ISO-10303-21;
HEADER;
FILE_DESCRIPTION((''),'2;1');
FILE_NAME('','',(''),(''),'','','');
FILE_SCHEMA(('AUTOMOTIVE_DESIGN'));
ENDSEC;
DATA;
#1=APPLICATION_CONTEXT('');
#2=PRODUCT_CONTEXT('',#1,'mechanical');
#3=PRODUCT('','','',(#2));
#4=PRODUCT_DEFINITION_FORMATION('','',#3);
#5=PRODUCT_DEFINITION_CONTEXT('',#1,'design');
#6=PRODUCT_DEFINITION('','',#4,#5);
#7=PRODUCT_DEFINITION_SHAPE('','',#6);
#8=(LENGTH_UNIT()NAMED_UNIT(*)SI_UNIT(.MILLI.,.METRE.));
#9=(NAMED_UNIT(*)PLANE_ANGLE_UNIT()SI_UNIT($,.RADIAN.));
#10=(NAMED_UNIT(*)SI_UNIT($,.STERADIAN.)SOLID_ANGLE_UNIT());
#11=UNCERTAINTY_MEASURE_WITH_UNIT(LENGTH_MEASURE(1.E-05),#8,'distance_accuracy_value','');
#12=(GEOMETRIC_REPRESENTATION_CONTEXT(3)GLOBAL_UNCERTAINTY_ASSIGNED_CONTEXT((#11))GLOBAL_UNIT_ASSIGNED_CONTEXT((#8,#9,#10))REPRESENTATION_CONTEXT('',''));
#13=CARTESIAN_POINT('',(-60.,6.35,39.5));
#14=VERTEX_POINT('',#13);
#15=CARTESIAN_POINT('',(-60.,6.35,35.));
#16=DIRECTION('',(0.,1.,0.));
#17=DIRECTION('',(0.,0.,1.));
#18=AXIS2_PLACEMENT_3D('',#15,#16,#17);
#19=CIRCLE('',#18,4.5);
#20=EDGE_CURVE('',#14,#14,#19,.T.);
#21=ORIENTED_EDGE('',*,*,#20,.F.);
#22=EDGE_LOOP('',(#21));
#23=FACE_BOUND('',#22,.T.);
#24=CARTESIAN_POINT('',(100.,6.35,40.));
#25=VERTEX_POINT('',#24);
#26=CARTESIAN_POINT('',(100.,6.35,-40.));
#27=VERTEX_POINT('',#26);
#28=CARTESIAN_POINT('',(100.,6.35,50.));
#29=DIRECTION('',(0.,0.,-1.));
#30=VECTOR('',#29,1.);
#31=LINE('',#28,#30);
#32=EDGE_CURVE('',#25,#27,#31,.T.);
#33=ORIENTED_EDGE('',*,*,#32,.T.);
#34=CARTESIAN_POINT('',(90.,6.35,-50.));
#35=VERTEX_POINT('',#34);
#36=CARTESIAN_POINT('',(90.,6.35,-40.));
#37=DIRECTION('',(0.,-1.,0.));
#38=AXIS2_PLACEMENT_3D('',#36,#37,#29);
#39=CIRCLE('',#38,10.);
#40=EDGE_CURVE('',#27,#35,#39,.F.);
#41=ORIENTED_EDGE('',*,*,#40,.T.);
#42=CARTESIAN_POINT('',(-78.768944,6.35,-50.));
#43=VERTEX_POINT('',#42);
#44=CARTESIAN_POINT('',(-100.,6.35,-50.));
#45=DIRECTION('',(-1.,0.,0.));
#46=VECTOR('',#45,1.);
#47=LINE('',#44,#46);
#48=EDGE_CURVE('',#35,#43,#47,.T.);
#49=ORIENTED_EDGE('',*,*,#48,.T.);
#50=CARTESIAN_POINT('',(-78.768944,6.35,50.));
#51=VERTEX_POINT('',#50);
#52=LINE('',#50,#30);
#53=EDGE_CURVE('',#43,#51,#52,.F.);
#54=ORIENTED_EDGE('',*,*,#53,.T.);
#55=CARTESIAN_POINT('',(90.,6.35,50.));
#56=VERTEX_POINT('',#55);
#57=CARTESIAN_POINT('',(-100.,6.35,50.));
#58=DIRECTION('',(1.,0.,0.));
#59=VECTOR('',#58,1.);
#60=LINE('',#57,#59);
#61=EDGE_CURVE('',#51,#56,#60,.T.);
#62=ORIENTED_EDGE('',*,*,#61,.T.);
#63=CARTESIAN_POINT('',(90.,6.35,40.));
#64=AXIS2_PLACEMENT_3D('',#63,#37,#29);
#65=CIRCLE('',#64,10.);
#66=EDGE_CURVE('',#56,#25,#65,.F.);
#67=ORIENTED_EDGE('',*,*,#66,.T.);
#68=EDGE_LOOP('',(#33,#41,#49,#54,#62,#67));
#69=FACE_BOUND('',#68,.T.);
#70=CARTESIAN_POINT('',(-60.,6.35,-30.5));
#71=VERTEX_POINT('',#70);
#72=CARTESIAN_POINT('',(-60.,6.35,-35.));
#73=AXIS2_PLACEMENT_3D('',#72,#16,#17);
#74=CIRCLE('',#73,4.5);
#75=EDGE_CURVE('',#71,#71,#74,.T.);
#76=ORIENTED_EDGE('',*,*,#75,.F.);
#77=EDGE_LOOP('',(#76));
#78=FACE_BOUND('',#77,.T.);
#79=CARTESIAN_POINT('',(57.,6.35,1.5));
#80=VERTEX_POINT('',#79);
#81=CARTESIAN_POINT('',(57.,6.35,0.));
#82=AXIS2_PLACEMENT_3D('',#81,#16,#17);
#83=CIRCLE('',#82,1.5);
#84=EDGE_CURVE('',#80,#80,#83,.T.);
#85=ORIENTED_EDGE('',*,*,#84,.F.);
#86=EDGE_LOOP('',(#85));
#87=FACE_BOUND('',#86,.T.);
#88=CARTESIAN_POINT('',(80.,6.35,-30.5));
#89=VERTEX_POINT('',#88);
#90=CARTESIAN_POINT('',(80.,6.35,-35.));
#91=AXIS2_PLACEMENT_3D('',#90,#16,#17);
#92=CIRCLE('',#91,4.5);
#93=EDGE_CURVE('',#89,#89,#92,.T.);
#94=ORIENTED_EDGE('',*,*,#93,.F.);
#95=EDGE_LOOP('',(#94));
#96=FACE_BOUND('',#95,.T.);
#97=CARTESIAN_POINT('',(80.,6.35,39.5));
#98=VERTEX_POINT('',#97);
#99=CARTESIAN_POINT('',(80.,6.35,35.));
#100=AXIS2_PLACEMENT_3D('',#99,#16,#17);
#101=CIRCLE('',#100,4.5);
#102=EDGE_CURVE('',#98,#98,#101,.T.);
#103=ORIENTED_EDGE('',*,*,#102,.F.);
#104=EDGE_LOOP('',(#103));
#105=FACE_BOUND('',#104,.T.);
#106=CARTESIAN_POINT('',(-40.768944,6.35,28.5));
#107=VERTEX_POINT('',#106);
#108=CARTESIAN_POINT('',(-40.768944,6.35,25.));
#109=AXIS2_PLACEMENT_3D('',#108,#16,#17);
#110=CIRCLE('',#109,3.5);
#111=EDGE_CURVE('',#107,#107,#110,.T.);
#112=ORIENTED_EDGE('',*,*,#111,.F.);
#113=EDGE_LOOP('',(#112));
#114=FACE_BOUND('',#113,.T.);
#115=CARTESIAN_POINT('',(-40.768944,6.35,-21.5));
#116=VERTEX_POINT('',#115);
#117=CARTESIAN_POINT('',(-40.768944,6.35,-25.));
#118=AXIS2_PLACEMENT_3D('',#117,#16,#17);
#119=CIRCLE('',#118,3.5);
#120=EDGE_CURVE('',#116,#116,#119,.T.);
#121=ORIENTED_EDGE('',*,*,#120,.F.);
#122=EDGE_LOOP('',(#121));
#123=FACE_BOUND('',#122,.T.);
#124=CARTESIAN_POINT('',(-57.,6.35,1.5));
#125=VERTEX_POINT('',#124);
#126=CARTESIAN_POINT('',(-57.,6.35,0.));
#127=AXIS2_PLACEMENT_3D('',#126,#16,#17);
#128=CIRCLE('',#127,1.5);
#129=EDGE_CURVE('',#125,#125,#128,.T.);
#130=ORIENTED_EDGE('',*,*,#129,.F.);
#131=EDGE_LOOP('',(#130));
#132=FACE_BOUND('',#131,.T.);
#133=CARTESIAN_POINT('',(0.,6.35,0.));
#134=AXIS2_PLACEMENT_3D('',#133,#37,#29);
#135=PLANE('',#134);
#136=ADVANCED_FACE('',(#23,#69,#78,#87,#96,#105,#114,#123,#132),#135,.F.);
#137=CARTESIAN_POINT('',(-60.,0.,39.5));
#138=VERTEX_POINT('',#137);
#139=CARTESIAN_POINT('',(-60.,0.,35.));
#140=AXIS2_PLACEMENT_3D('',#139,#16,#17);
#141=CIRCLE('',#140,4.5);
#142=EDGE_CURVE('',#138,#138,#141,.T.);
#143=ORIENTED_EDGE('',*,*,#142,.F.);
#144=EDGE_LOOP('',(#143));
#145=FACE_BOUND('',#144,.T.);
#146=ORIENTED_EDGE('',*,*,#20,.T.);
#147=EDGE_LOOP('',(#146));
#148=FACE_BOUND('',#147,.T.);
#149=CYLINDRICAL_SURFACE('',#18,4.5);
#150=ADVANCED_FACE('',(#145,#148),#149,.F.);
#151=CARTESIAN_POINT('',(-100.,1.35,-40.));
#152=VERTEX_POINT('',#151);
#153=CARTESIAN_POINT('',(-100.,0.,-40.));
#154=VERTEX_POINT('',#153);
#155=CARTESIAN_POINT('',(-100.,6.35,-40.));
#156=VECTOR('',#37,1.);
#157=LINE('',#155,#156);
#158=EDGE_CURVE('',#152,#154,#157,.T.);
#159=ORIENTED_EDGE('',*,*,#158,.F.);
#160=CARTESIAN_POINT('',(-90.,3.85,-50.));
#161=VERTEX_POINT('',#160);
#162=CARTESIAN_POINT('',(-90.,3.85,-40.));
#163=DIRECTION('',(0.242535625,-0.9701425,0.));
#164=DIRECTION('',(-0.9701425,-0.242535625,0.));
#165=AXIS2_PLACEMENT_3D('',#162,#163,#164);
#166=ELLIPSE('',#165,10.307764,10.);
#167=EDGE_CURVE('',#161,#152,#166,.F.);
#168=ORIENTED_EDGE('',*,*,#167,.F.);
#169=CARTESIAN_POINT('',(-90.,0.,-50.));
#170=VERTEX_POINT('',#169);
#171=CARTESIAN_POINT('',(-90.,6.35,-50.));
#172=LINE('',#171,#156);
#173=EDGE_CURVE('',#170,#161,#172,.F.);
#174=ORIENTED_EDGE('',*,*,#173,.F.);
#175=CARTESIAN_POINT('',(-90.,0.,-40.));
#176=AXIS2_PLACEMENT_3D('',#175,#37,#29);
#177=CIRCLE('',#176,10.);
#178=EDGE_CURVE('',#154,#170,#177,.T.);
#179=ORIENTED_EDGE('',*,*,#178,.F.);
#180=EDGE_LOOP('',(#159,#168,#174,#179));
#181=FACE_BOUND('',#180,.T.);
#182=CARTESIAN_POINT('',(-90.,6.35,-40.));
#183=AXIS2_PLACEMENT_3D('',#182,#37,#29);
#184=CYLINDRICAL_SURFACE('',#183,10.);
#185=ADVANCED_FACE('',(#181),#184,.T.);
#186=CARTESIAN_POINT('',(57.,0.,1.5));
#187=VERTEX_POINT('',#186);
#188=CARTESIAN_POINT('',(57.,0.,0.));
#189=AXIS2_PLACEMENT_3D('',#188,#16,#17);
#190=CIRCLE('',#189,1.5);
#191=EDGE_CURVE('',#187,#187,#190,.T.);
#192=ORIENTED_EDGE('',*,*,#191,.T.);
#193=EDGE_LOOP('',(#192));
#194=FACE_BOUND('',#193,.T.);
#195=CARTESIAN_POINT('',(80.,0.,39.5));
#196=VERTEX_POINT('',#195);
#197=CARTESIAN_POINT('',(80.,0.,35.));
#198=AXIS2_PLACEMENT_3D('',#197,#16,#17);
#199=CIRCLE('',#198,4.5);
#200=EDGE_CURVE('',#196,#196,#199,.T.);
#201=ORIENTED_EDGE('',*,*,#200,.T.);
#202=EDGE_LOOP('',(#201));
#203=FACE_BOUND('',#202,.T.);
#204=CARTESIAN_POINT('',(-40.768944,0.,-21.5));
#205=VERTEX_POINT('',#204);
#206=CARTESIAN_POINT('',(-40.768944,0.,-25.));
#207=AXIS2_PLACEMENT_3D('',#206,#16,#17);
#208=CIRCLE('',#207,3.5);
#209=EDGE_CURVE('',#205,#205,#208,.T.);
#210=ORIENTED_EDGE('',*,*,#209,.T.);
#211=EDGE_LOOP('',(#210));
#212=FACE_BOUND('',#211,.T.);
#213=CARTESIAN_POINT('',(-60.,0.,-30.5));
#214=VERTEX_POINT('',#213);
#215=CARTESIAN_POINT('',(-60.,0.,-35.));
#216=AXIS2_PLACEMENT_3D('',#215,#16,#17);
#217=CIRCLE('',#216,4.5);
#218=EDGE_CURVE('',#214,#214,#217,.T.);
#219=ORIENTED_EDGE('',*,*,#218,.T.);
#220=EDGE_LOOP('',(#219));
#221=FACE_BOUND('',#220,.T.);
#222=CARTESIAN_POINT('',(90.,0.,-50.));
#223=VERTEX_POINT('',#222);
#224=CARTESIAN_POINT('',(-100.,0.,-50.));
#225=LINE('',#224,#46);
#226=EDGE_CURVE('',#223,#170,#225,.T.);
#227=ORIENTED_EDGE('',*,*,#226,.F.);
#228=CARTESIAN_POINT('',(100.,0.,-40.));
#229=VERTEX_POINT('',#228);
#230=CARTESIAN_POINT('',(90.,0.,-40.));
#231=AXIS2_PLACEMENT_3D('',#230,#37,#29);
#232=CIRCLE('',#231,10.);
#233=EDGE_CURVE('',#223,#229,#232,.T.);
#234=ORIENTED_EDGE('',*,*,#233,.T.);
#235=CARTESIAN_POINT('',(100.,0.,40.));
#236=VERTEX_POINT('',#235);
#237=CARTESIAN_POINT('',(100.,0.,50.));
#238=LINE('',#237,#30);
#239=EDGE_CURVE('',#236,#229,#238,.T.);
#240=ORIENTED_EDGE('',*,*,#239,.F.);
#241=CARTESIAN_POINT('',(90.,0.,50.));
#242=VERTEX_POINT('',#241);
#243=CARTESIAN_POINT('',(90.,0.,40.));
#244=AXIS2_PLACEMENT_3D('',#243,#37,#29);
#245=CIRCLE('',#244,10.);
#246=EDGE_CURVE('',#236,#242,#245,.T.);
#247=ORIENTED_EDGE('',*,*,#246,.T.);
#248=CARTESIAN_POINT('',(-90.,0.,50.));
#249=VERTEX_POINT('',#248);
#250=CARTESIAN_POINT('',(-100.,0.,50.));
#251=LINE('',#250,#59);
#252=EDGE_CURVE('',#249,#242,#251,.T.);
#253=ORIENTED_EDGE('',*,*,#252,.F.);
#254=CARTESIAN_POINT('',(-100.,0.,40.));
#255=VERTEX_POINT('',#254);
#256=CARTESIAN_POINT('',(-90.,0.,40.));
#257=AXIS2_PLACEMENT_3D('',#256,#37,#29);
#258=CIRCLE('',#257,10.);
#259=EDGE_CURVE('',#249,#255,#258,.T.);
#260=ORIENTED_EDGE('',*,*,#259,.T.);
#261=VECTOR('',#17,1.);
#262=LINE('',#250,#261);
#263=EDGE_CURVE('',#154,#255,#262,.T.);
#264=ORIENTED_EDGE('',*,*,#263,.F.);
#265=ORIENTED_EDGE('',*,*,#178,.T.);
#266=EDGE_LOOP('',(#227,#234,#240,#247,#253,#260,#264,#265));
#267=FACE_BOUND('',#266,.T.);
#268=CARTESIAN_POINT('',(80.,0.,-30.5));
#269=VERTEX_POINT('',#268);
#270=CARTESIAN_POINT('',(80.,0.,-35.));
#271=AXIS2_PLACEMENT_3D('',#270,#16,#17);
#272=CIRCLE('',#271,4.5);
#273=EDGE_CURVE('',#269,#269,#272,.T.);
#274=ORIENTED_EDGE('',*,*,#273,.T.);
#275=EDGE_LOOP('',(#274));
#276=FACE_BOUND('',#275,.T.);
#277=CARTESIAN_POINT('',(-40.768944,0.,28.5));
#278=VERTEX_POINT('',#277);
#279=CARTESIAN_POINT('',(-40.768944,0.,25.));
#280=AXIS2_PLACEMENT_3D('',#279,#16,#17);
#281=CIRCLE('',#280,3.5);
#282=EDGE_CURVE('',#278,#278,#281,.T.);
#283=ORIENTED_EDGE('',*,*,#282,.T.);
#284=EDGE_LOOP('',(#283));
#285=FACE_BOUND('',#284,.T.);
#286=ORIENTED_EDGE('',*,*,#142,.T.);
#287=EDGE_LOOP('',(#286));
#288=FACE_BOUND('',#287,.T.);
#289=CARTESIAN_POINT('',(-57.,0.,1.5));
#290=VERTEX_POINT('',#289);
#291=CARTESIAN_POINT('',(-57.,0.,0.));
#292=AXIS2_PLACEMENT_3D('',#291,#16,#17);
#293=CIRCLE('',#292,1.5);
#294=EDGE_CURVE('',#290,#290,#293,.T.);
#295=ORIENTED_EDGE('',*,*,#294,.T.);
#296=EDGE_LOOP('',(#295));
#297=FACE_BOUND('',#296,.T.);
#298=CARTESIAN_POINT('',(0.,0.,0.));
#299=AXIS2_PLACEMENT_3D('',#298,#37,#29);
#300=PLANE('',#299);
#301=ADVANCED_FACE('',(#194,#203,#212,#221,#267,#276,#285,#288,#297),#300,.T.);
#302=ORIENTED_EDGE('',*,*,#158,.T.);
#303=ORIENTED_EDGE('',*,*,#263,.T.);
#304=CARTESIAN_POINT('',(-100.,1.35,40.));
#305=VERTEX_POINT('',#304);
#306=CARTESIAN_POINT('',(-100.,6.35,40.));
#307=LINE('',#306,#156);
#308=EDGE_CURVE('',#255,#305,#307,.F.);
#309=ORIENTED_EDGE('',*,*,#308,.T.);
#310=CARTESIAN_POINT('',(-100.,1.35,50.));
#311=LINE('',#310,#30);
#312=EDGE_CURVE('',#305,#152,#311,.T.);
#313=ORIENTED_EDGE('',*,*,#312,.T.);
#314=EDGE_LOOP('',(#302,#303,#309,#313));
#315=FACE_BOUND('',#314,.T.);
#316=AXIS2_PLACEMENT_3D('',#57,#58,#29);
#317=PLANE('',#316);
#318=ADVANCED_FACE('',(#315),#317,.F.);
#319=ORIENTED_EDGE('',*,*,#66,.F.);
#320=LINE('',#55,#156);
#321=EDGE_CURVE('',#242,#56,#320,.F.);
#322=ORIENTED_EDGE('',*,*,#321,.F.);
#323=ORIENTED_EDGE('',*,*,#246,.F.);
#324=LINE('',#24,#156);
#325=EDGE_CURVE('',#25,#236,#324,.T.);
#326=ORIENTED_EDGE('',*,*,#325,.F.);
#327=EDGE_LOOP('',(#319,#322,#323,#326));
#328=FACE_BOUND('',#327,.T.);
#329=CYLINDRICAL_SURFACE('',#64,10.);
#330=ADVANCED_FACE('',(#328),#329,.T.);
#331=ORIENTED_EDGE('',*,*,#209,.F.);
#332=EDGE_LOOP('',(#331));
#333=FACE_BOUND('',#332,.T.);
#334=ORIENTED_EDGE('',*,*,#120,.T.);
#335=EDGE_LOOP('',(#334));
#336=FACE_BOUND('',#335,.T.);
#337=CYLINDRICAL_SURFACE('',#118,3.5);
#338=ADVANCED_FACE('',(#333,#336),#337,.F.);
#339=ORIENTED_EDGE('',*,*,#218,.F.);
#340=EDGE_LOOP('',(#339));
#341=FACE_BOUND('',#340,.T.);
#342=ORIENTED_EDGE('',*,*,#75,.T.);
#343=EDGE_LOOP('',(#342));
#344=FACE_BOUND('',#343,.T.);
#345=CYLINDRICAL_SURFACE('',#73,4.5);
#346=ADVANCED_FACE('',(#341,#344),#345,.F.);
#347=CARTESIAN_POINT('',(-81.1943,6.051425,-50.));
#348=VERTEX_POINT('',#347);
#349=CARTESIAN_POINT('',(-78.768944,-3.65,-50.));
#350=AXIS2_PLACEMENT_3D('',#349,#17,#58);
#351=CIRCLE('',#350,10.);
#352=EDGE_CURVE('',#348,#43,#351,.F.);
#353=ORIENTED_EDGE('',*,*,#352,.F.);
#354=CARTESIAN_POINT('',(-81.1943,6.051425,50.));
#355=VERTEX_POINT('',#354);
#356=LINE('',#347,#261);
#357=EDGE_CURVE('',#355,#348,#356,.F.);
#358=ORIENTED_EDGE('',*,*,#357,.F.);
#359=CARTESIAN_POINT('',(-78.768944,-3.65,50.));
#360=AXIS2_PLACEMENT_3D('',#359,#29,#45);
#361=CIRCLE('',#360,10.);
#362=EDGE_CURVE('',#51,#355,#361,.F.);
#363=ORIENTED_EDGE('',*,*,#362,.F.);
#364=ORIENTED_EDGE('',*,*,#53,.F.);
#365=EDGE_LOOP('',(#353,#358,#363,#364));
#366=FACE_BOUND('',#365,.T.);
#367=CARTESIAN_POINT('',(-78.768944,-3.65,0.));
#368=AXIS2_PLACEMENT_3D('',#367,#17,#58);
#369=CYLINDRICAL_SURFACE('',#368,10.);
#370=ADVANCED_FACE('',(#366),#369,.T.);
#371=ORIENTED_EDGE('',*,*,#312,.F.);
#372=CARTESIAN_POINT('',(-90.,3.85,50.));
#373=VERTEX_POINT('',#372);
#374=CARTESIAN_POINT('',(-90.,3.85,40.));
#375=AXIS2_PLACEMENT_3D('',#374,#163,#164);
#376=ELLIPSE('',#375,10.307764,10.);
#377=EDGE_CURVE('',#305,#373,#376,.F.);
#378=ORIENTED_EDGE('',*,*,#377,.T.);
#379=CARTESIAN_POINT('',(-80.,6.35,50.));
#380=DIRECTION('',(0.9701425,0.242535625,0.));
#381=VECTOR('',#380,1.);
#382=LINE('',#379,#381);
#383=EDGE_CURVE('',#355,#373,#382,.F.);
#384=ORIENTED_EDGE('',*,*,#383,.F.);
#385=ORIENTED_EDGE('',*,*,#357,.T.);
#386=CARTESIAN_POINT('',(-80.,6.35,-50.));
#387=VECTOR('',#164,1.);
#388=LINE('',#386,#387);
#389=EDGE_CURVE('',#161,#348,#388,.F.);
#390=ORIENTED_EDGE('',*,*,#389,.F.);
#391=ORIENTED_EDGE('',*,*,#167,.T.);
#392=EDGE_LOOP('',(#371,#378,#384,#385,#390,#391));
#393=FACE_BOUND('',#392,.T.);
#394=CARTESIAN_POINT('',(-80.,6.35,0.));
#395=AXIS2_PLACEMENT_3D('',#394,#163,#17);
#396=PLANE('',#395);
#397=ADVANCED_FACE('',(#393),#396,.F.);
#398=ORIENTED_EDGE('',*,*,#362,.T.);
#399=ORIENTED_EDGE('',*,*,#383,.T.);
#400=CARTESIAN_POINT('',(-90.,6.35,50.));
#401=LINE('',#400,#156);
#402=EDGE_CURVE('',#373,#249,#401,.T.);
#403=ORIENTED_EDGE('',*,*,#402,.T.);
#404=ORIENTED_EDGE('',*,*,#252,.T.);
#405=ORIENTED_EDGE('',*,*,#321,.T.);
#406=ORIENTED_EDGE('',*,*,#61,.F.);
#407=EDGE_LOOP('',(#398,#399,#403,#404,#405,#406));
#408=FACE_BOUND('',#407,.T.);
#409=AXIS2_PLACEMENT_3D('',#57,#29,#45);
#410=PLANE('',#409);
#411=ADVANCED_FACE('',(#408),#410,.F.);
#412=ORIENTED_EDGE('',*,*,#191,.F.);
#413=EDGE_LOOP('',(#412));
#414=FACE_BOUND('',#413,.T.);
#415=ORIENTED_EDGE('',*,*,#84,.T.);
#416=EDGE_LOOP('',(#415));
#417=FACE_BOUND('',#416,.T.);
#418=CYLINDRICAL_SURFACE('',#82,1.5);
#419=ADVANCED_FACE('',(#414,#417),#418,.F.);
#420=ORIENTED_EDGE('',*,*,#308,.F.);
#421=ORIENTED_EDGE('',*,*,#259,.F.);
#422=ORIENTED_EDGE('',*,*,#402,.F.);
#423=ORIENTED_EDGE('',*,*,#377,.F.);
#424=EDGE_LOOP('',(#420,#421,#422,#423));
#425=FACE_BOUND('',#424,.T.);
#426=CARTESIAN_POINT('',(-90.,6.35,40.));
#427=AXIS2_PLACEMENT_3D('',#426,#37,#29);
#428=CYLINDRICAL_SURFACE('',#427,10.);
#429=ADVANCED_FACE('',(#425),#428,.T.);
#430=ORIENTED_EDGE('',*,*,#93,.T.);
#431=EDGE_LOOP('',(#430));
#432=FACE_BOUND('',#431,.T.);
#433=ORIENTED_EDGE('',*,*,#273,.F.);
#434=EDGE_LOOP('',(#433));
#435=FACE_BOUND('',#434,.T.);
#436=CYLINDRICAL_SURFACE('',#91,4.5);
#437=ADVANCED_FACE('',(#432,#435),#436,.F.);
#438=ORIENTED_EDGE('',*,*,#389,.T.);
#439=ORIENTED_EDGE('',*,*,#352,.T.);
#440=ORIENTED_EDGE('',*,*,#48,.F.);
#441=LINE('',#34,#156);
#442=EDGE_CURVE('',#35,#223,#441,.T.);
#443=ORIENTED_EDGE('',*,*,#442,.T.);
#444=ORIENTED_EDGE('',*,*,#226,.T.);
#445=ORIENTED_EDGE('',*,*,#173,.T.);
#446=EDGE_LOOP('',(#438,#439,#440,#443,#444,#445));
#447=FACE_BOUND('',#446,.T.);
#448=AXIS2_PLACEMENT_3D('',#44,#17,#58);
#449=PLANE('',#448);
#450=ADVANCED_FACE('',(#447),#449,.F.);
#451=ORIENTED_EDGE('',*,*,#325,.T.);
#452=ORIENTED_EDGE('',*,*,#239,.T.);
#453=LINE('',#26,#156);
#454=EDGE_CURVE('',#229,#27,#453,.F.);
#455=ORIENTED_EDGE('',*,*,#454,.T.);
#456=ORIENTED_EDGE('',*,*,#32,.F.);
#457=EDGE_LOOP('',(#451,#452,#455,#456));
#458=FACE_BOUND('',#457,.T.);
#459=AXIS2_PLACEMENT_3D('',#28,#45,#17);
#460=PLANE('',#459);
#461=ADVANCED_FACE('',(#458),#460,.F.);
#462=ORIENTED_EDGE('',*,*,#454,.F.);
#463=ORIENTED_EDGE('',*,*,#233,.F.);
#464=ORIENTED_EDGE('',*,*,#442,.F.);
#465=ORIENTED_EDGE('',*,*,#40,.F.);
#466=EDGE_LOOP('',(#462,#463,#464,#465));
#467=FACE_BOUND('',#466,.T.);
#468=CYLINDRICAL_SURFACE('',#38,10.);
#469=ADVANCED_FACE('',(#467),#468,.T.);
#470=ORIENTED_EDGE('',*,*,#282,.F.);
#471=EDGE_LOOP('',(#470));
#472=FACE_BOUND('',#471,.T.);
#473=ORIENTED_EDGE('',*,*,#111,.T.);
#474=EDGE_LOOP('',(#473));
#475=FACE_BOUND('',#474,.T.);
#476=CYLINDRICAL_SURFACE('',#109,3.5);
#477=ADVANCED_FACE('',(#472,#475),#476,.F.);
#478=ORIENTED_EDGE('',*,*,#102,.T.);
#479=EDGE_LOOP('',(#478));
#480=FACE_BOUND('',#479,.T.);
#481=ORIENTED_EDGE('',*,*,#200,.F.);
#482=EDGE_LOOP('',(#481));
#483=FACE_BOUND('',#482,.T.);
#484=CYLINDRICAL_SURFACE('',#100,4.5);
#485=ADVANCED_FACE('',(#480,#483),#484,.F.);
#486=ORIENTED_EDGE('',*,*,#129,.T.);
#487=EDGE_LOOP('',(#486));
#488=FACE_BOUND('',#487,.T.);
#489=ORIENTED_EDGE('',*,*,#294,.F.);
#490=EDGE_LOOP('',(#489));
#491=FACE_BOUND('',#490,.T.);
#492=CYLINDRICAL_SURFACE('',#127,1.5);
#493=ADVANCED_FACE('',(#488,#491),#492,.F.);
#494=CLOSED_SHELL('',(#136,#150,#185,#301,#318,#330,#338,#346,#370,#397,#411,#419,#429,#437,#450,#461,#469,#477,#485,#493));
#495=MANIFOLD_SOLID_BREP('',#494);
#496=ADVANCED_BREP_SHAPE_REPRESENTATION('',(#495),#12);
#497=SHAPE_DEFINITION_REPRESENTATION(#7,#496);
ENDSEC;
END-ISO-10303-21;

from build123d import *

# Parameters (mm, degrees)
SKETCH1_W             = 200
SKETCH1_H             = 100
BOSS_EXTRUDE1_DEPTH   = 6.35
CHAMFER1_SIZE         = 5
CHAMFER1_SIZE2        = 20
FILLET1_R             = 10
F_3_0MM_DOWEL_HOLE1_D = 3
M8_CLEARANCE_HOLE1_D  = 9
F_6_0MM_DOWEL_HOLE1_D = 7


with BuildPart() as part:
    # Sketch1 → Boss-Extrude1 (new body)
    with BuildSketch(Plane(origin=(0, 0, 0), x_dir=(1, 0, 0), z_dir=(0, 1, 0))):
        Rectangle(SKETCH1_W, SKETCH1_H)
    extrude(amount=BOSS_EXTRUDE1_DEPTH)

    # Chamfer1
    chamfer1_edges = [part.edges().sort_by_distance(p)[0] for p in [
        (-100, 6.35, 0),
    ]]
    chamfer1_side = [part.faces().sort_by_distance(p)[0] for p in [
        (-100, 3.175, 0),
    ]]
    chamfer(chamfer1_edges, length=CHAMFER1_SIZE, length2=CHAMFER1_SIZE2, reference=chamfer1_side[0])

    # Fillet1
    fillet1_edges = [part.edges().sort_by_distance(p)[0] for p in [
        (-80, 6.35, 0),
        (-100, 0.675, 50),
        (-100, 0.675, -50),
        (100, 3.175, 50),
        (100, 3.175, -50),
    ]]
    fillet(fillet1_edges, radius=FILLET1_R)

    # Ø3.0mm Dowel Hole1 (through all)
    with Locations(Plane(origin=(0, 6.35, 0), x_dir=(1, 0, 0), z_dir=(0, 1, 0))):
        with Locations((-57, 0), (57, 0)):
            Hole(F_3_0MM_DOWEL_HOLE1_D / 2)

    # M8 Clearance Hole1 (through all)
    with Locations(Plane(origin=(0, 6.35, 0), x_dir=(1, 0, 0), z_dir=(0, 1, 0))):
        with Locations((-60, 35), (80, -35), (-60, -35), (80, 35)):
            Hole(M8_CLEARANCE_HOLE1_D / 2)

    # Ø6.0mm Dowel Hole1 (through all)
    with Locations(Plane(origin=(0, 6.35, 0), x_dir=(1, 0, 0), z_dir=(0, 1, 0))):
        with Locations((-40.768943744, 25), (-40.768943744, -25)):
            Hole(F_6_0MM_DOWEL_HOLE1_D / 2)


solid = part.part
